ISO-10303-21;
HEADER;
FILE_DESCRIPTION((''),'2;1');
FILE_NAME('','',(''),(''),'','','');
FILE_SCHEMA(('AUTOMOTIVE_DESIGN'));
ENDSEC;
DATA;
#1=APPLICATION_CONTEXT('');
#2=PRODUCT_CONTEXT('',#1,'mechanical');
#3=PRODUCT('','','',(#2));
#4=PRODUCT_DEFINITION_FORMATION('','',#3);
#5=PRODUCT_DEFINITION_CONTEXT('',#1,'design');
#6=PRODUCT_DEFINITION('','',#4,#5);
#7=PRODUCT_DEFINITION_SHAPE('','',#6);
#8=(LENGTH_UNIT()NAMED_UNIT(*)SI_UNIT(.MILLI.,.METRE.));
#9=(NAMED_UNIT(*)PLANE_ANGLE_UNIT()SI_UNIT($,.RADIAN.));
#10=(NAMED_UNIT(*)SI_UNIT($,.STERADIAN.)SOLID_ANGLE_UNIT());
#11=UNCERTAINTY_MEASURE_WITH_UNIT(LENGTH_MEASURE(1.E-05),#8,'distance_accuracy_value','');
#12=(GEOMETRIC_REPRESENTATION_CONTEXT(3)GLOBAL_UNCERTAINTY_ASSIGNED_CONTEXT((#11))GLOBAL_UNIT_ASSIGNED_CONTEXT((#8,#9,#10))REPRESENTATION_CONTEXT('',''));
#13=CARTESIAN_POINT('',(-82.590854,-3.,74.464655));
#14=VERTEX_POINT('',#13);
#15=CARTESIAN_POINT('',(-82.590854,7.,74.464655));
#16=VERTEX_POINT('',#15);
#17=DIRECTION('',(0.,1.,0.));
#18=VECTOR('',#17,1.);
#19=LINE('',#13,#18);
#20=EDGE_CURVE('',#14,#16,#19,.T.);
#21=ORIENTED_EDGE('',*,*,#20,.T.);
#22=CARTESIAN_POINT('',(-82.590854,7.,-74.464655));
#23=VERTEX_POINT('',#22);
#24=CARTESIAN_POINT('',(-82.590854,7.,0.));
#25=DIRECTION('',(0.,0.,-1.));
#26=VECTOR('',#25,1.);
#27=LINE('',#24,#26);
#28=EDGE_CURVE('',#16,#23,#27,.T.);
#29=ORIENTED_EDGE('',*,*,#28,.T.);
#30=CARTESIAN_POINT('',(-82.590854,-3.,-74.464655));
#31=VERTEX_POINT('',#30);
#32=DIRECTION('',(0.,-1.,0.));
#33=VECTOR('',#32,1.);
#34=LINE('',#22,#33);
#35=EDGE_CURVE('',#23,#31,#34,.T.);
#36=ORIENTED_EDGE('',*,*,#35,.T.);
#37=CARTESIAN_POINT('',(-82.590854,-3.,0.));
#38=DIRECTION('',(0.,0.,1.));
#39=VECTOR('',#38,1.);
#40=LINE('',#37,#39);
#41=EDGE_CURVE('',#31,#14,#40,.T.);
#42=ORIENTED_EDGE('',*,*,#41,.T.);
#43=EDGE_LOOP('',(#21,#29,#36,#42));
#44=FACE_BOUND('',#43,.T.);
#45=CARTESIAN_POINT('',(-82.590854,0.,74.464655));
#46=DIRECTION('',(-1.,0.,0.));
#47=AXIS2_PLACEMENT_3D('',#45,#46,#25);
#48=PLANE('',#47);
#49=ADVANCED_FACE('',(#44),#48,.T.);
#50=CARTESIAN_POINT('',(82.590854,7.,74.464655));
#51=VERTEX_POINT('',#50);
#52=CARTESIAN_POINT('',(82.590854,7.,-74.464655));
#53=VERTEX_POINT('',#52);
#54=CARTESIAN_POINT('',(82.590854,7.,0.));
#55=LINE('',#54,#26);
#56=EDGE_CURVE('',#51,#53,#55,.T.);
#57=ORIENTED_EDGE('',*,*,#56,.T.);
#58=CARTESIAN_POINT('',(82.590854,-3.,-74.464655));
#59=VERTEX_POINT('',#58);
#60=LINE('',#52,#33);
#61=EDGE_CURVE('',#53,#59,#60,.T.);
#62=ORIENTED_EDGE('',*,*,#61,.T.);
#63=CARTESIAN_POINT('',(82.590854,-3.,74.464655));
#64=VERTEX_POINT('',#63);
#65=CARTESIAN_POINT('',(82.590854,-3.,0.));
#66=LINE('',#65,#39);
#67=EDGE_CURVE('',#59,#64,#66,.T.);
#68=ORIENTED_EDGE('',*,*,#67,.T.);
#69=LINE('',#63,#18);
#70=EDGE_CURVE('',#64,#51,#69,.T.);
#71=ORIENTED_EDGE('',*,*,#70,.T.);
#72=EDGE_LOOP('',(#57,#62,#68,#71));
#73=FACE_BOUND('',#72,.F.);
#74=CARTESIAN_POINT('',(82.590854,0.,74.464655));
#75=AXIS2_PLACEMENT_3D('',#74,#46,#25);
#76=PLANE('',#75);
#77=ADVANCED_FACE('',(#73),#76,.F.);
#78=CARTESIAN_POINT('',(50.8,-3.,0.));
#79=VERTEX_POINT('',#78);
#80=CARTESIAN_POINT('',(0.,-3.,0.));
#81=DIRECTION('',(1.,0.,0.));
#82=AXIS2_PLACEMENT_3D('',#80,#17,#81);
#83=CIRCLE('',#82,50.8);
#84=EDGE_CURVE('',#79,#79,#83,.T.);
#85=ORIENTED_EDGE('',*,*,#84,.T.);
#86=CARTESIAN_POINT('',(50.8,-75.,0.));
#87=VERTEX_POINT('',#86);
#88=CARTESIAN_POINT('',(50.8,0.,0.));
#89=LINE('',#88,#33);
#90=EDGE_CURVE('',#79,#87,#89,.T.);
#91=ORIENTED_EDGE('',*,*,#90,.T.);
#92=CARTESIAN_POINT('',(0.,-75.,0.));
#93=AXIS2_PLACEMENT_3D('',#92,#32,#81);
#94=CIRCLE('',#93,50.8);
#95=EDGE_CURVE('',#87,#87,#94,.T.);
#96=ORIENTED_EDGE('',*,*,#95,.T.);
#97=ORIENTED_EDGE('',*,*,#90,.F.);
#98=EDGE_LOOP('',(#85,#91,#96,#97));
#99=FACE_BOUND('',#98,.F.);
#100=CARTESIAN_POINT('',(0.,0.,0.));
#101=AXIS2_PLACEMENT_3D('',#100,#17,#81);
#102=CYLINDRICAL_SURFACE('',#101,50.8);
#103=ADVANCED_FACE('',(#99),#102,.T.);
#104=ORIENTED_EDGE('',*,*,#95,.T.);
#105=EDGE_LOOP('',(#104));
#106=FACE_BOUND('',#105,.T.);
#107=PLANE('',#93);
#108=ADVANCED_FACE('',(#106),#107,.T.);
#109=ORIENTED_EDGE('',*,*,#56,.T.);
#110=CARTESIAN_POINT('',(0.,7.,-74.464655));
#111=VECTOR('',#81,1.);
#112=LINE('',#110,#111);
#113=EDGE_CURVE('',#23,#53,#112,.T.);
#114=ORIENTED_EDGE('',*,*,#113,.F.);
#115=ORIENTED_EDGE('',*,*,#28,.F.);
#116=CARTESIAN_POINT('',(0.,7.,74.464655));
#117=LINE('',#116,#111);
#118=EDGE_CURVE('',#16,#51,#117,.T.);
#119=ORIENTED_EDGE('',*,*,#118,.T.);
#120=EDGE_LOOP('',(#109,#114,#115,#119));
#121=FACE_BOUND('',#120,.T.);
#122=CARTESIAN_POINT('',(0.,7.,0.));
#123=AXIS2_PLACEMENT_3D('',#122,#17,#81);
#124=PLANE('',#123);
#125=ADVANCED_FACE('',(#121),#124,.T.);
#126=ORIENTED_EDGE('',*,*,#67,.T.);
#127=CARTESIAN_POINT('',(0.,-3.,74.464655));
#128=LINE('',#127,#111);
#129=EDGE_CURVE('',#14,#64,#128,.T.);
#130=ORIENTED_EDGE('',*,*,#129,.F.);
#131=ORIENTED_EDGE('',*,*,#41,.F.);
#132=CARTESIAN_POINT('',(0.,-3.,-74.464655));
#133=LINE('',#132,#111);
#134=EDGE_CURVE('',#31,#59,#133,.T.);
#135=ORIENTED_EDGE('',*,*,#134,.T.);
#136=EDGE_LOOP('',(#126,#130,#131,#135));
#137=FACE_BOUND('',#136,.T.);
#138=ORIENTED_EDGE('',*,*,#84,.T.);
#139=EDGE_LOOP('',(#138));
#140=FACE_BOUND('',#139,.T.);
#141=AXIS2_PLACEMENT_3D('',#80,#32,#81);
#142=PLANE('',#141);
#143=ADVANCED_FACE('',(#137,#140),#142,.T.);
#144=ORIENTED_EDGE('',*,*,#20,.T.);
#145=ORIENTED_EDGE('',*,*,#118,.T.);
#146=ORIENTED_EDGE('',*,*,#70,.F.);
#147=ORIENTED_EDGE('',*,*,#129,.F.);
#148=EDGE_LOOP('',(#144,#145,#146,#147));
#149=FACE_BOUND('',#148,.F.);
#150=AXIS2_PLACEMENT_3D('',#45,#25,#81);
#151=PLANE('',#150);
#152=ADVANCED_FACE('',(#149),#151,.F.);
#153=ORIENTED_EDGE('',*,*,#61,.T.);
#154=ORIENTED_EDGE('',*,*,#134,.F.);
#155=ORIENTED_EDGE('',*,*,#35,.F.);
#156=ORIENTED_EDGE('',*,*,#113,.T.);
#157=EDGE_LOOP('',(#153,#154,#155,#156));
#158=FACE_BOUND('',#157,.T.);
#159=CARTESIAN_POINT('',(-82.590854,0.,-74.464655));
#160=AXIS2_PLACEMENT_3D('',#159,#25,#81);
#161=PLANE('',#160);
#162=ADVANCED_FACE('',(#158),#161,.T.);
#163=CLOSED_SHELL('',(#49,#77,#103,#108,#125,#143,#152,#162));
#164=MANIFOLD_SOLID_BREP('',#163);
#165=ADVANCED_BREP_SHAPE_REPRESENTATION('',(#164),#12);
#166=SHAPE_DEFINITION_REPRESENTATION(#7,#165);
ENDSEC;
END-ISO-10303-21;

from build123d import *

# Parameters (mm, degrees)
F0_W      = 165.181708
F0_H      = 148.92931
F0_R      = 50.8
F1_DEPTH  = 3
F2_DEPTH  = 75
F1_FACE_W = 165.181708
F1_FACE_H = 148.92931
F3_DEPTH  = 7


with BuildPart() as f1:
    # F0 (on Front) → F1 (new body)
    with BuildSketch(Plane.XZ):
        Rectangle(F0_W, F0_H)
        Circle(F0_R, mode=Mode.SUBTRACT)
        Circle(F0_R)
    extrude(amount=F1_DEPTH)

    # F0 (on Front) → F2 (join)
    with BuildSketch(Plane.XZ):
        Circle(F0_R)
    extrude(amount=F2_DEPTH)

    # F1_face (on face) → F3 (join)
    with BuildSketch(Plane(origin=(0, 0, 0), x_dir=(1, 0, 0), z_dir=(0, 1, 0))):
        Rectangle(F1_FACE_W, F1_FACE_H)
    extrude(amount=F3_DEPTH)


solid = f1.part
